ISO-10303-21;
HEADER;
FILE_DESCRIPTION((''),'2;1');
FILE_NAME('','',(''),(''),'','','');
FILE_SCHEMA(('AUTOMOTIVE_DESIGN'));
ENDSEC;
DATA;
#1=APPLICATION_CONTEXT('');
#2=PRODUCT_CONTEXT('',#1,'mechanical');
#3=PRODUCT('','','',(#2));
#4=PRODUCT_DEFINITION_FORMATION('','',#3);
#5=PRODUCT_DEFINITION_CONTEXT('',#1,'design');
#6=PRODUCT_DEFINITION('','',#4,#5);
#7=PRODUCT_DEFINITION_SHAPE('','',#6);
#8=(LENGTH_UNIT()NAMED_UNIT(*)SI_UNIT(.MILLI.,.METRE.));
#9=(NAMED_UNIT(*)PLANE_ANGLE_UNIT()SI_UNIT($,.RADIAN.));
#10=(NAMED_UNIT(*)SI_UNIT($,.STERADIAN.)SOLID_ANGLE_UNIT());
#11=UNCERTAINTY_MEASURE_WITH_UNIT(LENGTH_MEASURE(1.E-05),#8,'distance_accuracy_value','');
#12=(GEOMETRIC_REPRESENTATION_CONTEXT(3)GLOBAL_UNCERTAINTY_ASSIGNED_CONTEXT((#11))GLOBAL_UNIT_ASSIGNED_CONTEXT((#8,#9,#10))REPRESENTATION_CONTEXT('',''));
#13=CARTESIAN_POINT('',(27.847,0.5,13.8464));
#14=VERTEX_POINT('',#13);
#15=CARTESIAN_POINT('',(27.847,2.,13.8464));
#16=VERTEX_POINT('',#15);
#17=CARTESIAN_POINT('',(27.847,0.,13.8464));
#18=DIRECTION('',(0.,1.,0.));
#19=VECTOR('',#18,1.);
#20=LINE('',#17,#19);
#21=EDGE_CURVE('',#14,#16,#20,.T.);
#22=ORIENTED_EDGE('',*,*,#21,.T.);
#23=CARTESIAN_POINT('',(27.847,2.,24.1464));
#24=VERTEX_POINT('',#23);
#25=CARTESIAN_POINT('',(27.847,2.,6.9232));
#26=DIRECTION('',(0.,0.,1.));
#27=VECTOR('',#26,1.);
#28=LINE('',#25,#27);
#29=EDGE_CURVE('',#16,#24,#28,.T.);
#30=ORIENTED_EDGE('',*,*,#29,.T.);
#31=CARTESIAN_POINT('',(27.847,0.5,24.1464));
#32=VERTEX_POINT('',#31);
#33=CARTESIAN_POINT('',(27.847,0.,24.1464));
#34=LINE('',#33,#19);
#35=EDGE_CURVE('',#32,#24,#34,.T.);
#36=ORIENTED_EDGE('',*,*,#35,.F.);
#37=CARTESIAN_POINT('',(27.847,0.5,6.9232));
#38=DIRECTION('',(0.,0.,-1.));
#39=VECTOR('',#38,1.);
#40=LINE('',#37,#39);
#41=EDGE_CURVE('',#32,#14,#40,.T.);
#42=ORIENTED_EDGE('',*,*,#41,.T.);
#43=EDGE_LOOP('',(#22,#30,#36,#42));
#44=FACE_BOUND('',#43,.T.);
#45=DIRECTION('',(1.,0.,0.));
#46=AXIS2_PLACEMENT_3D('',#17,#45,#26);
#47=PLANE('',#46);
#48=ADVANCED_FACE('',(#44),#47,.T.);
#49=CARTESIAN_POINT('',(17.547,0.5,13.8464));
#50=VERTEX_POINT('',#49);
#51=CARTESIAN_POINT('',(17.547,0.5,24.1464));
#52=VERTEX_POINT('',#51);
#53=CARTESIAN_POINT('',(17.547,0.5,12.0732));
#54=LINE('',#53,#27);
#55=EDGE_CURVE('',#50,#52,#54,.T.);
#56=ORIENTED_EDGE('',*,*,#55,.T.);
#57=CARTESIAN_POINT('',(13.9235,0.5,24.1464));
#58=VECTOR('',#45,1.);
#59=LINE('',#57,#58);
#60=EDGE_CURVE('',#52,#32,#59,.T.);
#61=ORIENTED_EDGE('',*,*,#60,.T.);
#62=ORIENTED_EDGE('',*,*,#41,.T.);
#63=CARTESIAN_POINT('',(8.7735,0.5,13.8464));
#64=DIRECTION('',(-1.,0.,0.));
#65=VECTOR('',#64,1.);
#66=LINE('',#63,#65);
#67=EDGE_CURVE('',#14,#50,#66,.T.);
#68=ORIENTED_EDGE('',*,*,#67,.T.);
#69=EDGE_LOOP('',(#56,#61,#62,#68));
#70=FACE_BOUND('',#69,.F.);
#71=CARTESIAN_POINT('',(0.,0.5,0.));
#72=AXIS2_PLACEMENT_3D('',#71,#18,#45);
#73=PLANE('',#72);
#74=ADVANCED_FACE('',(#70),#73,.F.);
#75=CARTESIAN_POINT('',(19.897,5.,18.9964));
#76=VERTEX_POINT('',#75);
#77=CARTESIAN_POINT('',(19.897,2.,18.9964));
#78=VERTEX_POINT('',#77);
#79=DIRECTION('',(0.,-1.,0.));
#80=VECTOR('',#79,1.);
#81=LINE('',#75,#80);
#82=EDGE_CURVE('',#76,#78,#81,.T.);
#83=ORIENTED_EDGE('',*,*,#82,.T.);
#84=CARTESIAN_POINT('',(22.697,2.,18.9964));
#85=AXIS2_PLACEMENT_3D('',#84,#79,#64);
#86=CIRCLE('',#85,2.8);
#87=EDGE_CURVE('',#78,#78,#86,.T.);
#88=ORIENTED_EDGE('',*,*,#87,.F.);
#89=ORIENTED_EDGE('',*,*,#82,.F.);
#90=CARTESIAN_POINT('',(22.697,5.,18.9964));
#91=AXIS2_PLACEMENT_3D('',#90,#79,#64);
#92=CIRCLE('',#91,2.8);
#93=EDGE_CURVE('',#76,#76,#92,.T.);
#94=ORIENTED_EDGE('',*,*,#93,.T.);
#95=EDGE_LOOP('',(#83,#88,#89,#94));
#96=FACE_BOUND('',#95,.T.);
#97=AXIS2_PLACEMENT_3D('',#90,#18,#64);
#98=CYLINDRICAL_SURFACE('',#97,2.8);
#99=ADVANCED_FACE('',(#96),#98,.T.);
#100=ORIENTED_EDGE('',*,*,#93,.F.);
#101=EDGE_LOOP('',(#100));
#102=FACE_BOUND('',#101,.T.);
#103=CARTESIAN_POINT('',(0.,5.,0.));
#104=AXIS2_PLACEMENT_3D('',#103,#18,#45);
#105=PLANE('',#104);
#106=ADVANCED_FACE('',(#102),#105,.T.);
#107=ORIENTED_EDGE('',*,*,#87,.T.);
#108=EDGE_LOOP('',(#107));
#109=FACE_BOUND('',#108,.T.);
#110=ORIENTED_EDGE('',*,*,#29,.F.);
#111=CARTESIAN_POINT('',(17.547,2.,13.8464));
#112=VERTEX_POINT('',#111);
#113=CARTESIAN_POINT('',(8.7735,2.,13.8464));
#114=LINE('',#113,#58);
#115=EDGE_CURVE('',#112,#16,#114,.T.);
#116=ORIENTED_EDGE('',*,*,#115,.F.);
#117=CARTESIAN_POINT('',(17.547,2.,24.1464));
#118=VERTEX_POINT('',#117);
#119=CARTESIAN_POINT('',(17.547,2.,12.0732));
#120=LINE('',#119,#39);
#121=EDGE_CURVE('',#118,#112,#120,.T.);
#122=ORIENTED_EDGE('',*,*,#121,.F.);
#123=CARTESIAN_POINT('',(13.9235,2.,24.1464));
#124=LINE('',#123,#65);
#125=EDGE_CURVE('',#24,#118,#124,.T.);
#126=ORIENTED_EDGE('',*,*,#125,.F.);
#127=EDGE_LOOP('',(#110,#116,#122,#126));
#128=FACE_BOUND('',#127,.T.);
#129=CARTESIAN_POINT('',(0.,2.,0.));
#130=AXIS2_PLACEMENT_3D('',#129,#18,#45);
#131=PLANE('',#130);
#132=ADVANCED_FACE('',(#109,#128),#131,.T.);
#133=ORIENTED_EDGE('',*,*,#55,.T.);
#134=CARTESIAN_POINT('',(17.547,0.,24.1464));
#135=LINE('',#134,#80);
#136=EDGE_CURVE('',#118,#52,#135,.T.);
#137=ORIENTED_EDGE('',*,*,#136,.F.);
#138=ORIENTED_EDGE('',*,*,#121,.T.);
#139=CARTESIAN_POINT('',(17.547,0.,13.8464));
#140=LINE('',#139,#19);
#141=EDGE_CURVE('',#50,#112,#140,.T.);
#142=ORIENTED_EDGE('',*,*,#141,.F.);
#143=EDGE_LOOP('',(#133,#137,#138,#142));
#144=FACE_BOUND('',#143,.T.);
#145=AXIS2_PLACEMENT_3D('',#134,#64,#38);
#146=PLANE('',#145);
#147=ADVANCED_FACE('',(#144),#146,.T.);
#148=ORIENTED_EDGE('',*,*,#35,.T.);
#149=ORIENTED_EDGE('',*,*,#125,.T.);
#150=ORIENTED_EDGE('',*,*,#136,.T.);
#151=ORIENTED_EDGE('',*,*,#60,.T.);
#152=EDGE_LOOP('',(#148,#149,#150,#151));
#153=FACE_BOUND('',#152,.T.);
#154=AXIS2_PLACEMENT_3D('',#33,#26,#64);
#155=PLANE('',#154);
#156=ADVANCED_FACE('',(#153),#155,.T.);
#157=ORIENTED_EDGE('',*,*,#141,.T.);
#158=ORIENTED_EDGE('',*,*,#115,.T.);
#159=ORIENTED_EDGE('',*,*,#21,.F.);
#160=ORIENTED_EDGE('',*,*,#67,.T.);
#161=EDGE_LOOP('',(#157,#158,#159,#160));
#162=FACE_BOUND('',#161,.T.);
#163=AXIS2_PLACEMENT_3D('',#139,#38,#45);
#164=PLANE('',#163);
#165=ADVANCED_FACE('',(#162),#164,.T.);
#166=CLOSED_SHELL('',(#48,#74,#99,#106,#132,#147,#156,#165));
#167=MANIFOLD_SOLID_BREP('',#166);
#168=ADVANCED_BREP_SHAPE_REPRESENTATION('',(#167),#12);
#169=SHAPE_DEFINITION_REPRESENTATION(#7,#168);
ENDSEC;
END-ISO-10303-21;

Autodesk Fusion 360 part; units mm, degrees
sketch "Schizzo1" plane through (0, 0, 0) normal (0, 1, 0) x (1, 0, 0)
  line L0 (19.547, -15.8464) -> (25.847, -15.8464)
  line L1 (25.847, -15.8464) -> (25.847, -22.1464)
  line L2 (25.847, -22.1464) -> (19.547, -22.1464)
  line L3 (19.547, -22.1464) -> (19.547, -15.8464)
  line L4 (27.847, -24.1464) -> (17.547, -24.1464)
  line L5 (17.547, -24.1464) -> (17.547, -13.8464)
  line L6 (17.547, -13.8464) -> (27.847, -13.8464)
  line L7 (27.847, -13.8464) -> (27.847, -24.1464)
  dimension "d1" = 6.3
  dimension "d2" = 6.3
  dimension "d3" = -2
extrude "Estrusione1" add sketch "Schizzo1" along normal blind 2 contours L0 L1 L2 L3 | L4 L5 L6 L7
extrude "Estrusione2" add sketch "Schizzo1" along normal blind 7 contours L0 L1 L2 L3
extrude "Estrusione3" cut 1 faces at (21.647, 7, 17.9464) along direction (0, -1, 0) blind 2
move_face "FacceDiOffset1" offset -0.15 4 faces at (21.647, 3, 15.8464) (19.547, 3, 20.0464) (23.747, 3, 22.1464) (25.847, 3, 17.9464)
extrude "Estrusione4" cut 1 faces at (25.697, 4, 19.9964) along direction (-1, 0, 0) blind 0.2
extrude "Estrusione5" cut 1 faces at (23.5637, 3, 15.9964) along direction (0, 0, 1) blind 0.2
extrude "Estrusione6" cut 1 faces at (19.697, 3, 20.063) along direction (1, 0, 0) blind 0.2
extrude "Estrusione7" cut 1 faces at (23.6304, 4, 21.9964) along direction (0, 0, -1) blind 0.2
extrude "Estrusione8" cut 1 faces at (24.4137, 0, 17.2797) along direction (0, 1, 0) blind 0.5
sketch "Schizzo2" plane through (0, 5, 0) normal (0, 1, 0) x (-1, 0, 0)
  line L0 (-19.897, 21.7964) -> (-25.497, 21.7964)
  line L1 (-25.497, 21.7964) -> (-25.497, 16.1964)
  line L2 (-25.497, 16.1964) -> (-19.897, 16.1964)
  line L3 (-19.897, 16.1964) -> (-19.897, 21.7964)
  circle A0 centre (-22.697, 18.9964) radius 2.8
extrude "Estrusione9" cut sketch "Schizzo2" against normal blind 3 contours L0 L3 A0 | L0 L1 A0 | L2 L3 A0 | L1 L2 A0
